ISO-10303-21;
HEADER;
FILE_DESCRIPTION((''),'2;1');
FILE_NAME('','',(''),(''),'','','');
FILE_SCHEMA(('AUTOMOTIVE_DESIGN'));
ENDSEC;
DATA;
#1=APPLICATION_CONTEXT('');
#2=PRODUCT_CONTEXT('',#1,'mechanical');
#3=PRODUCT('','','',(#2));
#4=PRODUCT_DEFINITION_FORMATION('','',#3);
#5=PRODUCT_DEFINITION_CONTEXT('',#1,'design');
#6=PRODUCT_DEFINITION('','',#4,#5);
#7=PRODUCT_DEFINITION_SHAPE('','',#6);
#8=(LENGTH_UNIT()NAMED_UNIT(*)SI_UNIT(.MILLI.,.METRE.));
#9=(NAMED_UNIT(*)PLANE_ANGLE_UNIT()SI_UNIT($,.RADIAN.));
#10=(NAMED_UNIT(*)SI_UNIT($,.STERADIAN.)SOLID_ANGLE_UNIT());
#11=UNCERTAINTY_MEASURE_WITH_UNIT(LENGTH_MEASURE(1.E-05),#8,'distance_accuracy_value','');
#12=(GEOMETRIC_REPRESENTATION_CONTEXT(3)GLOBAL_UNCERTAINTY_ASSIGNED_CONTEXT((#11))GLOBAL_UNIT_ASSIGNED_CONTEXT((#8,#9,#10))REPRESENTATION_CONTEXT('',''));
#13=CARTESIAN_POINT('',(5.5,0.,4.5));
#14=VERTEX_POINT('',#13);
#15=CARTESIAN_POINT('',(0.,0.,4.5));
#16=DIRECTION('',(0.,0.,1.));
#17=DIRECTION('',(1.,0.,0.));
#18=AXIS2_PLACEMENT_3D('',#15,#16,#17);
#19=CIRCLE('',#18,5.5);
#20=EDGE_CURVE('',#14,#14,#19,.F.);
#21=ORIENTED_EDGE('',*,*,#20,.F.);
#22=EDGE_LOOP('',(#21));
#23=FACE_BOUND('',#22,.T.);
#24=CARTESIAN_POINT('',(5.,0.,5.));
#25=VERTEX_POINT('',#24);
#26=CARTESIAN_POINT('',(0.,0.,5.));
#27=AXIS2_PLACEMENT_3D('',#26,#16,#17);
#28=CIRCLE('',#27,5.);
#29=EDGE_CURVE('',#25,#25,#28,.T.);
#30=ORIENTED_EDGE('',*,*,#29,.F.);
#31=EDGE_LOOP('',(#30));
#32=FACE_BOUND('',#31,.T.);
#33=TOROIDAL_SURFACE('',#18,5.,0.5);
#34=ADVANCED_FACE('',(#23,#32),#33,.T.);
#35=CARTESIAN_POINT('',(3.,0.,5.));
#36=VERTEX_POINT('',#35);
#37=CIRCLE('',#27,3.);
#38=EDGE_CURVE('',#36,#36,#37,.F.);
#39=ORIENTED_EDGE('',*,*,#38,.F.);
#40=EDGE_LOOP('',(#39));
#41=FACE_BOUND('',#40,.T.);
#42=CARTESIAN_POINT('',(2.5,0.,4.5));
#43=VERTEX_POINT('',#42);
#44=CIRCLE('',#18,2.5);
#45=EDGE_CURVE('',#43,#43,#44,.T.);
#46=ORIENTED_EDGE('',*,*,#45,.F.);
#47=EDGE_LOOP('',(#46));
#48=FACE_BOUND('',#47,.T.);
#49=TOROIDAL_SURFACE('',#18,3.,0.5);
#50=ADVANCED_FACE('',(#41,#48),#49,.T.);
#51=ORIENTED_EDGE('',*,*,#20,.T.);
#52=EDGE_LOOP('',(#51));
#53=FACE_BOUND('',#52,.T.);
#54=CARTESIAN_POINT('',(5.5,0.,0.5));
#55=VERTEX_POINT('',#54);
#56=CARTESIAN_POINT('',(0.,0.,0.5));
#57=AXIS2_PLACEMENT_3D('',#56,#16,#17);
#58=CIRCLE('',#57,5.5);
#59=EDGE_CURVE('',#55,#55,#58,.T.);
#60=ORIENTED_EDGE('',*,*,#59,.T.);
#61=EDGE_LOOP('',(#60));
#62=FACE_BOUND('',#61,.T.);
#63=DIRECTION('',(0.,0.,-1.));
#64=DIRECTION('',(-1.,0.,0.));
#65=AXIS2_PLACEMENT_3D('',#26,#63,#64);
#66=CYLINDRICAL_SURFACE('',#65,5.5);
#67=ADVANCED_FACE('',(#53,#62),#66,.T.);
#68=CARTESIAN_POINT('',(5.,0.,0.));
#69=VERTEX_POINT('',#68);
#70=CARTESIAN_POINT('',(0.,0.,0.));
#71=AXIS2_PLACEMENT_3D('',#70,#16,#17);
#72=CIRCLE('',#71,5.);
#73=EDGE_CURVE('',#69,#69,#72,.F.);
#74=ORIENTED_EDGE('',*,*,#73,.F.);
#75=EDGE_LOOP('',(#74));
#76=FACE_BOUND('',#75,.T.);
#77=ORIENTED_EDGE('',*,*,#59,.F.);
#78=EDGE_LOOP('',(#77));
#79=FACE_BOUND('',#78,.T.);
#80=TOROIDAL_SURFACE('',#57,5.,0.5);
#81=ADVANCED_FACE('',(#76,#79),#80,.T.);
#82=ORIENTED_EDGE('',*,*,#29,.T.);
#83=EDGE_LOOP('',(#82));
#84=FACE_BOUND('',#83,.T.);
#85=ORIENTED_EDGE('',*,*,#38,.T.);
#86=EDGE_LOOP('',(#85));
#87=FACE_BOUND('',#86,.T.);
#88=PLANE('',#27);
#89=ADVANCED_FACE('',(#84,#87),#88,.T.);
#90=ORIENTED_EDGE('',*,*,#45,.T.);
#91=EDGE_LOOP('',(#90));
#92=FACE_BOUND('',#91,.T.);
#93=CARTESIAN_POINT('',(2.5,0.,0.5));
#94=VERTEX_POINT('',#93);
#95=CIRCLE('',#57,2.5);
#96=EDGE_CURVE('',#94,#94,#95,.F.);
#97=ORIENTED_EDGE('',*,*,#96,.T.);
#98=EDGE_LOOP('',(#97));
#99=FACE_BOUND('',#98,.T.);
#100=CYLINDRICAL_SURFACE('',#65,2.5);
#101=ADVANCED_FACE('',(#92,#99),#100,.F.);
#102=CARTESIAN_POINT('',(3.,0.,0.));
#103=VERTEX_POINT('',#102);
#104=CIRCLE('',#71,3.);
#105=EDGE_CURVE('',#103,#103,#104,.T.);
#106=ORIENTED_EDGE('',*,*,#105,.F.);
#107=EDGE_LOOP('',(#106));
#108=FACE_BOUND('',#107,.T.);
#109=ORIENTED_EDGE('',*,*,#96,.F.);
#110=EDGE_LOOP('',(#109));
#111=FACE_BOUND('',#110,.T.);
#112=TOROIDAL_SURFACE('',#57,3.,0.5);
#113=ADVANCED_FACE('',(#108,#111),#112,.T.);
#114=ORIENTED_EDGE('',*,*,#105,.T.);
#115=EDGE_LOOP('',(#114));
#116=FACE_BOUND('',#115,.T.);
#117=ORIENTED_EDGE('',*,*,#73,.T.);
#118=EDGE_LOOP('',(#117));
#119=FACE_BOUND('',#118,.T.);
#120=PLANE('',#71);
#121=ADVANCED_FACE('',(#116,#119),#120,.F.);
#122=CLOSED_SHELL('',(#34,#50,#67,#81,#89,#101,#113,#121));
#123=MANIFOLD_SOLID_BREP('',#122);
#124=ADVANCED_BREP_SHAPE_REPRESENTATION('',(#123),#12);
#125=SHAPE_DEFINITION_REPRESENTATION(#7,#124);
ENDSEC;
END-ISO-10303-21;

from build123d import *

# Parameters (mm, degrees)
SKETCH_1_R      = 5.5
SKETCH_1_R_2    = 2.5
EXTRUDE_1_DEPTH = 5
FILLET_1_R      = 0.5


with BuildPart() as part:
    # 草图1 → 凸台-拉伸1 (new body)
    with BuildSketch(Plane.XY):
        Circle(SKETCH_1_R)
        Circle(SKETCH_1_R_2, mode=Mode.SUBTRACT)
    extrude(amount=EXTRUDE_1_DEPTH)

    # 圆角1
    fillet_1_edges = [part.edges().sort_by_distance(p)[0] for p in [
        (-5.5, 0, 0),
        (-5.5, 0, 5),
        (-2.5, 0, 0),
        (-2.5, 0, 5),
    ]]
    fillet(fillet_1_edges, radius=FILLET_1_R)


solid = part.part
